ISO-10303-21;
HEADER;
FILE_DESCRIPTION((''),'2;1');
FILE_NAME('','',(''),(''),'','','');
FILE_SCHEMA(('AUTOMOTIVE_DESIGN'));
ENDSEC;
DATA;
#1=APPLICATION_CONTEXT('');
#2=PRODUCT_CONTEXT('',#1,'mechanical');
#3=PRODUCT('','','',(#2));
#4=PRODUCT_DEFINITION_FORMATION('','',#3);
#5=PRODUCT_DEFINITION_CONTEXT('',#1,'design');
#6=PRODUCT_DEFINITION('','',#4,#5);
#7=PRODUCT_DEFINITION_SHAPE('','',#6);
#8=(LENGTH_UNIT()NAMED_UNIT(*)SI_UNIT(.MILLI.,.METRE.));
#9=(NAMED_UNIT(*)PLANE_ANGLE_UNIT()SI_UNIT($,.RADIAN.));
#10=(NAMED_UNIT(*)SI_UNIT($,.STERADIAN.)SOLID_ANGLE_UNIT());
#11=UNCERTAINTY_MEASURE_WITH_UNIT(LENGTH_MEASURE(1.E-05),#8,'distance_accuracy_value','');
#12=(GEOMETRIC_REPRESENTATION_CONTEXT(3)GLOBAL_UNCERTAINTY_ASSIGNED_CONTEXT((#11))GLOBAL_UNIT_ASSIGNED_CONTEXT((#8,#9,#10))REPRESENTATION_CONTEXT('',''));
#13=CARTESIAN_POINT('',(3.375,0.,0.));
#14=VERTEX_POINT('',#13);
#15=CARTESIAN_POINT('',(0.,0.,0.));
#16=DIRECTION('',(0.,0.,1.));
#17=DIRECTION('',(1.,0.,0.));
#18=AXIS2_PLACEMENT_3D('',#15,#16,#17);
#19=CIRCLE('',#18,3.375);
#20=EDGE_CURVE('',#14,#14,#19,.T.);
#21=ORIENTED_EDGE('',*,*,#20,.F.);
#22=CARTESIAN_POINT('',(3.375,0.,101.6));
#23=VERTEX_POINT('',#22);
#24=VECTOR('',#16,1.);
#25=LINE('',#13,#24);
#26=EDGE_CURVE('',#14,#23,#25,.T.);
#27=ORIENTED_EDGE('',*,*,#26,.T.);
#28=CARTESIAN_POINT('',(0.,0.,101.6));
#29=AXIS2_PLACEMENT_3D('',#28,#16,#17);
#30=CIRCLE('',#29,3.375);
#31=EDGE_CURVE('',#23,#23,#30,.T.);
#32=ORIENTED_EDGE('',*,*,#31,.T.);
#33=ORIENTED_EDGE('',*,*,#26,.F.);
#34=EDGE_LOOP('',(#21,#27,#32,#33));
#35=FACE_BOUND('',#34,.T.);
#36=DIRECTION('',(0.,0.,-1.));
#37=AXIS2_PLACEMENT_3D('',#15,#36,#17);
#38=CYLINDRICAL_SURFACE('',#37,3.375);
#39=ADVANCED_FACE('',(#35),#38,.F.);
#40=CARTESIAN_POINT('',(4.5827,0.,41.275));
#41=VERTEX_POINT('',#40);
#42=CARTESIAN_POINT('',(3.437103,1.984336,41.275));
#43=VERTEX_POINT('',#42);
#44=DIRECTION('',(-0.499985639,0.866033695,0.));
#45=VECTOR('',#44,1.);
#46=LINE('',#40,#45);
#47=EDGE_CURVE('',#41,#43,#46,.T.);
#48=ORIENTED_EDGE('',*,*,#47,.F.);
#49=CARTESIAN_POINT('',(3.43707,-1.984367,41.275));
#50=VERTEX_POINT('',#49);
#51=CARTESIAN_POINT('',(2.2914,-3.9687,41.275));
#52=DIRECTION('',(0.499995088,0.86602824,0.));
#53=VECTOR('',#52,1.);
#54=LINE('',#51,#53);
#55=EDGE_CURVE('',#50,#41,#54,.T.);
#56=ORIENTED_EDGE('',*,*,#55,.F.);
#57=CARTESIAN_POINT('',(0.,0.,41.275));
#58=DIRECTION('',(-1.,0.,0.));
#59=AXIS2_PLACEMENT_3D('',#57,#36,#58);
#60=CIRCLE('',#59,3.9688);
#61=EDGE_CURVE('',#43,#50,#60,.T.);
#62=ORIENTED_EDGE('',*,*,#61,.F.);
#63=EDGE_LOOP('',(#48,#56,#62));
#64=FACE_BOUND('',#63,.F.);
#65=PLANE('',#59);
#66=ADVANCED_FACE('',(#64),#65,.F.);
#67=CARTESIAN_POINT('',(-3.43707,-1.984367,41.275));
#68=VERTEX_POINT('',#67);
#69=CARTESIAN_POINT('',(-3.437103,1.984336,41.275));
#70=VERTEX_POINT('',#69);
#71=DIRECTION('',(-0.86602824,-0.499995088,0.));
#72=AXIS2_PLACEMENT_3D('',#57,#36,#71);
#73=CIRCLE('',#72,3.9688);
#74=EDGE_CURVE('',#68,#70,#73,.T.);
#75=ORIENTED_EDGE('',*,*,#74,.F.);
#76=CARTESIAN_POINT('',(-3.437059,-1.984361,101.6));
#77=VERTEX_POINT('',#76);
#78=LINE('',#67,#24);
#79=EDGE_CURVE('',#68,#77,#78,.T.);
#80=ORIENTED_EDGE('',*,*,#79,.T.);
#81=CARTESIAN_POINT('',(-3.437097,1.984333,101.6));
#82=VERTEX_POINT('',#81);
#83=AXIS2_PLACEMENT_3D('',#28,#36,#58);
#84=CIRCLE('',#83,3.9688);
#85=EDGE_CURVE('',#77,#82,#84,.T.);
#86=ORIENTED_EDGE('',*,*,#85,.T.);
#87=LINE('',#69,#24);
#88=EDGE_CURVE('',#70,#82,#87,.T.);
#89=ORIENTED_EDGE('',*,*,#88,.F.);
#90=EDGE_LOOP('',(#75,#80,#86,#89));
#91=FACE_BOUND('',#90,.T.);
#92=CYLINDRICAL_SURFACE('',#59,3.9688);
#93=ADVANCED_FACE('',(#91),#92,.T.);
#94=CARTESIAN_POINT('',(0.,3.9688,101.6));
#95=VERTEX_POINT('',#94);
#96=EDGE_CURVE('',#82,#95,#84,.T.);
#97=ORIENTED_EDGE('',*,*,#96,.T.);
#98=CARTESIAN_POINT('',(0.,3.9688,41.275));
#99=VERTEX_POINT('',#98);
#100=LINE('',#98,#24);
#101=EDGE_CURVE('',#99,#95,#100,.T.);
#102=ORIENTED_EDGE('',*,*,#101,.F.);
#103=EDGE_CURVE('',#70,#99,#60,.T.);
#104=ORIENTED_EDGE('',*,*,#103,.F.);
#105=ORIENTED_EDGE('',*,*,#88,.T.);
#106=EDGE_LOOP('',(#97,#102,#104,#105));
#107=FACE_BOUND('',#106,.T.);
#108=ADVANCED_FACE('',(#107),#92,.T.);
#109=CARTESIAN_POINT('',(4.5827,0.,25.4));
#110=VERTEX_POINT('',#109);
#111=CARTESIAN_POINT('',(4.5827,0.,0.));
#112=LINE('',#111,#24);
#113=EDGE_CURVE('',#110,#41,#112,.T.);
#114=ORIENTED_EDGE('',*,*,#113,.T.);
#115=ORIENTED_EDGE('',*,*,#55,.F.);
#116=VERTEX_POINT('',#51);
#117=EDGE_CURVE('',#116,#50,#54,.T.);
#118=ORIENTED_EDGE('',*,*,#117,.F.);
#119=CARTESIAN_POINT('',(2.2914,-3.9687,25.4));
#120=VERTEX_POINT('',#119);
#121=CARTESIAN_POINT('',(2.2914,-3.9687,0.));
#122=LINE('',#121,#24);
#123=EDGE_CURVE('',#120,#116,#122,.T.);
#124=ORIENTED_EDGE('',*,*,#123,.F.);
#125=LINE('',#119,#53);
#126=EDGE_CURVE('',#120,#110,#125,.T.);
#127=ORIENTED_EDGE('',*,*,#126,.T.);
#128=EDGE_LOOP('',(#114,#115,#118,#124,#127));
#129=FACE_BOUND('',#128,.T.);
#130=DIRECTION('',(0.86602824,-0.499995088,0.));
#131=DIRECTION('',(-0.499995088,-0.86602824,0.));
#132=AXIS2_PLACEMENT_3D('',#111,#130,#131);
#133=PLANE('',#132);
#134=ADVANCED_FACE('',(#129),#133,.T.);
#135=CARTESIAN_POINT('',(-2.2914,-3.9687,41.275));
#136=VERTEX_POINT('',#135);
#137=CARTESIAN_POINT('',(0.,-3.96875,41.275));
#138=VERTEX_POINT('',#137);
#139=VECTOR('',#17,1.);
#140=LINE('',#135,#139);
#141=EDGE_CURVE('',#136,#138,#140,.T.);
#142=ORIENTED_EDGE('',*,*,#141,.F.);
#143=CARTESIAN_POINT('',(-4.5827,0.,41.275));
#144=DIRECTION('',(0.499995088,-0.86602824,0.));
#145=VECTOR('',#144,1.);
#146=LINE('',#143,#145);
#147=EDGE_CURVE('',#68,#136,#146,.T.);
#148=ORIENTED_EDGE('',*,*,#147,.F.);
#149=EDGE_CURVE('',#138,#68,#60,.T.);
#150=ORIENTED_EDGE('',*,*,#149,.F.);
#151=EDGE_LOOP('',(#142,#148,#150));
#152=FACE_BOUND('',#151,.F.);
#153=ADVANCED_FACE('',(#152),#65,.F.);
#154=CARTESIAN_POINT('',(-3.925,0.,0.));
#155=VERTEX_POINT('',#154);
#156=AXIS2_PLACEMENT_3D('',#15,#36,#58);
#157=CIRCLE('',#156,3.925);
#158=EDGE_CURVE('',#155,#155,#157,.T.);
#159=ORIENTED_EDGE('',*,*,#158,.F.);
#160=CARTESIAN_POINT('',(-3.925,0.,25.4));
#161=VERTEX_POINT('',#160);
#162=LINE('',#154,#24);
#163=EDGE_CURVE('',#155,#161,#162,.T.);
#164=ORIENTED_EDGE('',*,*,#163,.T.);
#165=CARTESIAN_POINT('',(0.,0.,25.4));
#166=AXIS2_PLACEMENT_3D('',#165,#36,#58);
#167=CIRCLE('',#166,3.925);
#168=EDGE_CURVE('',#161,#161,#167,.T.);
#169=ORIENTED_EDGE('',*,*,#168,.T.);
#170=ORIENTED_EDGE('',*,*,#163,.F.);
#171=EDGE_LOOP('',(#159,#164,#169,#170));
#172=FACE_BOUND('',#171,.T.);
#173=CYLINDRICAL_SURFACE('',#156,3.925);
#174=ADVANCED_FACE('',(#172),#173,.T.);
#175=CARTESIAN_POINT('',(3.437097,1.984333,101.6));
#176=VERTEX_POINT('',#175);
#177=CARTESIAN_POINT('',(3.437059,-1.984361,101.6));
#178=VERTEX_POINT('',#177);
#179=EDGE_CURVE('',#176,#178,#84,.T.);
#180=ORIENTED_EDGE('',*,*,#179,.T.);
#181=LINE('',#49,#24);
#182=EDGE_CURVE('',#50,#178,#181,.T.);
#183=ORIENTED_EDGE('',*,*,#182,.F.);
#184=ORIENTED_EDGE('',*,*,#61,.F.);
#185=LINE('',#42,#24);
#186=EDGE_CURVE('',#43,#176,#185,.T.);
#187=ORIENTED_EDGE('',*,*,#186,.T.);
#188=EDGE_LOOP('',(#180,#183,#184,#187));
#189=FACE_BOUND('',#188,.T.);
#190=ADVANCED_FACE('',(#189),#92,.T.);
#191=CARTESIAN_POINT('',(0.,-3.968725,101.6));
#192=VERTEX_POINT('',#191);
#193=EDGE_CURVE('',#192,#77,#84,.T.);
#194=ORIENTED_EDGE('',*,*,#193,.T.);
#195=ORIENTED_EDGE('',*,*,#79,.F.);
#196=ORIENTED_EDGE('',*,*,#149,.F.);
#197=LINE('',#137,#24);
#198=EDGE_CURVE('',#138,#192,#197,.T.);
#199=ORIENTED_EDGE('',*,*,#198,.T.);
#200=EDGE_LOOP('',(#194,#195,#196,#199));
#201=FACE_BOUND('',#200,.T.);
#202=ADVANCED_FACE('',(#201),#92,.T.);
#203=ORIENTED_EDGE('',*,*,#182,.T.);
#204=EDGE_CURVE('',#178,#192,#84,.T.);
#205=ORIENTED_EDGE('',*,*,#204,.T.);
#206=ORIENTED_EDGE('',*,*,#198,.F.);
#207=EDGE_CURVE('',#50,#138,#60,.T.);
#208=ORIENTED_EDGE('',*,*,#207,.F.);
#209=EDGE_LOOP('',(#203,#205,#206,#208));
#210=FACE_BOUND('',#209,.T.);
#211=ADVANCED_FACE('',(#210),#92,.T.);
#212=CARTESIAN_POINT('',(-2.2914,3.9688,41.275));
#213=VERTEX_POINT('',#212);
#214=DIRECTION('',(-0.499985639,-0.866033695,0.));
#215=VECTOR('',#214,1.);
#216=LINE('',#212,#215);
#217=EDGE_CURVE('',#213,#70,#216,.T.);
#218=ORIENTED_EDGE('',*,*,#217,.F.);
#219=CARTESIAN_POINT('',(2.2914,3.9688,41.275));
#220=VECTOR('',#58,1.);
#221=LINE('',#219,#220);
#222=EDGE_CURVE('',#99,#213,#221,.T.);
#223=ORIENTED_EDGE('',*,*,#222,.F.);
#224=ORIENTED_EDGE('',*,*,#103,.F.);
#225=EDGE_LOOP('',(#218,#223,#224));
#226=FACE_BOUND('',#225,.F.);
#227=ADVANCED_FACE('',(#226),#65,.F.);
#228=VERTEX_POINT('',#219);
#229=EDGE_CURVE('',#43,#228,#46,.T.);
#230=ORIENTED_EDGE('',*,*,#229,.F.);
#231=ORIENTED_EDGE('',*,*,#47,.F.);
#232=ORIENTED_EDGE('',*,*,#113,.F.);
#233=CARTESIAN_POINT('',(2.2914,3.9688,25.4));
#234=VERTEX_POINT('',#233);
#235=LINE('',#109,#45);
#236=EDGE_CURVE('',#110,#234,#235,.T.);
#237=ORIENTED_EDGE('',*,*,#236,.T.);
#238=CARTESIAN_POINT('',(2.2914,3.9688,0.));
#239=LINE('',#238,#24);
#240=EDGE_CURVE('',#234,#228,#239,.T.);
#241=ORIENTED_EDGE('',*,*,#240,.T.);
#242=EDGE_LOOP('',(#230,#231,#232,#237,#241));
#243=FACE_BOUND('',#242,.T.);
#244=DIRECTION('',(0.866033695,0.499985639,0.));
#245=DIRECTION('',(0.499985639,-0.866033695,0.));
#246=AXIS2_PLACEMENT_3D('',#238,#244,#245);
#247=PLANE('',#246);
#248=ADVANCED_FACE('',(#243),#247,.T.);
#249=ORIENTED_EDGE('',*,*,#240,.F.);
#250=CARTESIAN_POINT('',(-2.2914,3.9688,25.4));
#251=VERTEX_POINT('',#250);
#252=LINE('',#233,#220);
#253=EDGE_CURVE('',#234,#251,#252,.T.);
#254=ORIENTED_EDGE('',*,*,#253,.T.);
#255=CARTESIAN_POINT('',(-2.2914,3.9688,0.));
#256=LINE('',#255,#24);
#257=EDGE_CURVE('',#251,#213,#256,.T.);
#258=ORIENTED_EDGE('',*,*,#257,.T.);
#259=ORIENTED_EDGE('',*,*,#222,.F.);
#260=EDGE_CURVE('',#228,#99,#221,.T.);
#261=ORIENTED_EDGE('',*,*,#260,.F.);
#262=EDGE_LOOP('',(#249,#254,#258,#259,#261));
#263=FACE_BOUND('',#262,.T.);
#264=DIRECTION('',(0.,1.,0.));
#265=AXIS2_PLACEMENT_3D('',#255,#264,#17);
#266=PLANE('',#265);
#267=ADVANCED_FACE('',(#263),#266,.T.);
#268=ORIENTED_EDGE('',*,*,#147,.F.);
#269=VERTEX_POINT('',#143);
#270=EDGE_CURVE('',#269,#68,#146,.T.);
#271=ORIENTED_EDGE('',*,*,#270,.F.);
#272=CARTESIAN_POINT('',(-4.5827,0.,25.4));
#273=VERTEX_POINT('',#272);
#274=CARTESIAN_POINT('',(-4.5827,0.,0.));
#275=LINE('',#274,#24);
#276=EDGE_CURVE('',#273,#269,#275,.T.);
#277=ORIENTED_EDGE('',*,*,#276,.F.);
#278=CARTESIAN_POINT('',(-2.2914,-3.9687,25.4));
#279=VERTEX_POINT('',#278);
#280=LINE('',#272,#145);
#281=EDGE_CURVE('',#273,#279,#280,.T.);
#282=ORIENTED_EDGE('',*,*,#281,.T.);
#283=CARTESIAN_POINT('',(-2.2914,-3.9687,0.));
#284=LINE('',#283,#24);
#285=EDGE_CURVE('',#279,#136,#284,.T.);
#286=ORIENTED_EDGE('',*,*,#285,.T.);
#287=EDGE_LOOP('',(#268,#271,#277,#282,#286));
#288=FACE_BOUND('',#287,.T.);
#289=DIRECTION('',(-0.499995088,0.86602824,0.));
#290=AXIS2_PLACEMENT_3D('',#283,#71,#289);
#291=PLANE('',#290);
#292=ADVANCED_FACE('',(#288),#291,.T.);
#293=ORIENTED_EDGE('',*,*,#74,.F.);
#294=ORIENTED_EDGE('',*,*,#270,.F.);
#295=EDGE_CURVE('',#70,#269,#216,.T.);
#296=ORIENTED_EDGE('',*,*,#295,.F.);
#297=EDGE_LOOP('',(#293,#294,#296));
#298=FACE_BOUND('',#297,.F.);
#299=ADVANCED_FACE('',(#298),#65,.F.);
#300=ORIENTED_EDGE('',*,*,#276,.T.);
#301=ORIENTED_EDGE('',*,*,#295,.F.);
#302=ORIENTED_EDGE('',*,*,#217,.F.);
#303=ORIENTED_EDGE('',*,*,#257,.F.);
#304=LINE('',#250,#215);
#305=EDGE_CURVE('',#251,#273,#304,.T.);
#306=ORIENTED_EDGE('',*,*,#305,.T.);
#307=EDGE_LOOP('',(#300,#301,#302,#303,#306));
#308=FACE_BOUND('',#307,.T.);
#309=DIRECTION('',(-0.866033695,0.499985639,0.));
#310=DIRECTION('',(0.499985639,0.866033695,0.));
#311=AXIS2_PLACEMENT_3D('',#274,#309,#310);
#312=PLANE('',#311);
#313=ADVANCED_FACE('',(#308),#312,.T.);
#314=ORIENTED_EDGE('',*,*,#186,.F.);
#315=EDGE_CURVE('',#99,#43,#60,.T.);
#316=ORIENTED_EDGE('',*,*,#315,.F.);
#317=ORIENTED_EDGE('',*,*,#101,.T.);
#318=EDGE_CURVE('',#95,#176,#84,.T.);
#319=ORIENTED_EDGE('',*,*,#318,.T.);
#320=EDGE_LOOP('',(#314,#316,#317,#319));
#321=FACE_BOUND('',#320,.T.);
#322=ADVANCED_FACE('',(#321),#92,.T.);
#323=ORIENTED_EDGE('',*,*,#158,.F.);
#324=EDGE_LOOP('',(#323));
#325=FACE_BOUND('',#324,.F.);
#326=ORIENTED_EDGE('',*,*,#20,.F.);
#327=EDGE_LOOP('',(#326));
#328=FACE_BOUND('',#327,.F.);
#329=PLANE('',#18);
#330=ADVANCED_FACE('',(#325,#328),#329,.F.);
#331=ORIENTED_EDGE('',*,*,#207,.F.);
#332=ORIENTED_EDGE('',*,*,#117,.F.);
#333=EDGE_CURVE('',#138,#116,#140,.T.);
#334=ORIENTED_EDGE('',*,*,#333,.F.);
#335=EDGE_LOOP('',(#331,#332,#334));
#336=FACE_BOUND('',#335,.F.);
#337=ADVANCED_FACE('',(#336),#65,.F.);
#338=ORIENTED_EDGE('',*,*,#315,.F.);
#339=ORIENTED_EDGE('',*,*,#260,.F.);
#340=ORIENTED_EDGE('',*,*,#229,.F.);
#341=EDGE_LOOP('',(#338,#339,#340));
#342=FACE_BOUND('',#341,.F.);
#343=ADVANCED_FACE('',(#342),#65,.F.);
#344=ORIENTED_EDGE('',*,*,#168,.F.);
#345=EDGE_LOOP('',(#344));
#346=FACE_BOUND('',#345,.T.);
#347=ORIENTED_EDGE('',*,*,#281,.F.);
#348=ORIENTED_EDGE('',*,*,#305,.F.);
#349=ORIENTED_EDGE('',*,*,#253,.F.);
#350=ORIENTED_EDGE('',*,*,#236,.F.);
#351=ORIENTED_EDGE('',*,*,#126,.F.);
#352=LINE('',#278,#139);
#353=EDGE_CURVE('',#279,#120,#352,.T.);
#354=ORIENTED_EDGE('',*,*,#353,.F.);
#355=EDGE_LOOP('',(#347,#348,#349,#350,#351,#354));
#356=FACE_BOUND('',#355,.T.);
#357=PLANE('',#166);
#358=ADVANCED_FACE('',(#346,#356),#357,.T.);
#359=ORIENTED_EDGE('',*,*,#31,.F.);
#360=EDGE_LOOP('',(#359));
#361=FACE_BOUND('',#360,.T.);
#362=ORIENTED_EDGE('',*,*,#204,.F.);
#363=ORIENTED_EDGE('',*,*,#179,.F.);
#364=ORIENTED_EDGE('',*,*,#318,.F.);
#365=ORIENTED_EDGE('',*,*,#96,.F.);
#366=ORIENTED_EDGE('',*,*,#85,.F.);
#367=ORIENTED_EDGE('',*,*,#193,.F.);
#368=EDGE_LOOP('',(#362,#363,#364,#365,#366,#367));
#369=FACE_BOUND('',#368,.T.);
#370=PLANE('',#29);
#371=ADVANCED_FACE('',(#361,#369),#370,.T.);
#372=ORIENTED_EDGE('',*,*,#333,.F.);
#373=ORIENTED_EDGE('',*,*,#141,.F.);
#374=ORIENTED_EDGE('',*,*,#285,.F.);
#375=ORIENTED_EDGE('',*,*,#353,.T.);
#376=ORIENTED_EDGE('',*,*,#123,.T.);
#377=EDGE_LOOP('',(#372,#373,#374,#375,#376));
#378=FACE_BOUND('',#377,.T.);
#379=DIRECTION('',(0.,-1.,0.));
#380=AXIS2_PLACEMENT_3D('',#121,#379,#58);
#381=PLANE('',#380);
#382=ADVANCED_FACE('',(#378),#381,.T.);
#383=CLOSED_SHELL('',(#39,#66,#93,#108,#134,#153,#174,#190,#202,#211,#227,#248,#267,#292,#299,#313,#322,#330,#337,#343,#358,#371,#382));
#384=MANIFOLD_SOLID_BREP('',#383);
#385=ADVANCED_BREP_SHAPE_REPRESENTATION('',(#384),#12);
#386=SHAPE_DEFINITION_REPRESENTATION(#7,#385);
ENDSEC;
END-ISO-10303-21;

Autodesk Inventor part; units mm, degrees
ref_plane "YZ Plane" through (0, 0, 0) normal (1, 0, 0) x (0, 1, 0)
ref_plane "XZ Plane" through (0, 0, 0) normal (0, 1, 0) x (-1, 0, 0)
sketch "Sketch1" plane through (0, 0, 0) normal (0, 0, 1) x (1, 0, 0)
  line L0 (2.2914, 3.9688) -> (4.5827, 0)
  line L1 (4.5827, 0) -> (2.2914, -3.9687)
  line L2 (2.2914, -3.9687) -> (-2.2914, -3.9687)
  line L3 (-2.2914, -3.9687) -> (-4.5827, 0)
  line L4 (-4.5827, 0) -> (-2.2914, 3.9688)
  line L5 (-2.2914, 3.9688) -> (2.2914, 3.9688)
  circle A0 centre (0, 0) radius 3.375
  dimension "d0" = 7.9375
  dimension "d1" = 6.75
extrude "Extrusion1" add sketch "Sketch1" along normal blind 101.6
sketch "Sketch2" plane through (0, 0, 0) normal (0, 0, -1) x (-1, 0, 0)
  circle A0 centre (0, 0) radius 3.925
  line L0 (2.2914, 3.9688) -> (4.5827, 0) projected
  line L1 (-2.2914, 3.9688) -> (2.2914, 3.9688) projected
  line L2 (-4.5827, 0) -> (-2.2914, 3.9688) projected
  line L3 (-2.2914, -3.9687) -> (-4.5827, 0) projected
  line L4 (2.2914, -3.9687) -> (-2.2914, -3.9687) projected
  line L5 (4.5827, 0) -> (2.2914, -3.9687) projected
  circle A1 centre (0, 0) radius 3.375 projected
  dimension "d4" = 7.85
extrude "Extrusion2" cut sketch "Sketch2" against normal blind 25.4 contours L0 L5 L4 L3 L2 L1
ref_plane "Work Plane1" through (0, 0, 41.275) normal (0, 0, -1) x (-1, 0, 0)
sketch "Sketch3" plane through (0, 0, 41.275) normal (0, 0, -1) x (-1, 0, 0)
  line L0 (-4.5827, 0) -> (-2.2914, 3.9688) projected
  line L1 (-2.2914, -3.9687) -> (-4.5827, 0) projected
  line L2 (2.2914, -3.9687) -> (-2.2914, -3.9687) projected
  line L3 (4.5827, 0) -> (2.2914, -3.9687) projected
  line L4 (2.2914, 3.9688) -> (4.5827, 0) projected
  line L5 (-2.2914, 3.9688) -> (2.2914, 3.9688) projected
  circle A0 centre (0, 0) radius 3.925 projected
  circle A1 centre (0, 0) radius 3.9688
  point P0 (-3.437, -1.9844)
  point P1 (-3.437, 1.9844)
  point P2 (0, 3.9688)
  point P3 (3.437, 1.9844)
  point P4 (3.437, -1.9844)
  point P5 (0, -3.9688)
extrude "Extrusion3" cut sketch "Sketch3" against normal through all contours L0 A1 L1 | L0 L5 A1 | A1 L2 L1 | L5 L4 A1 | A1 L3 L2 | L4 L3 A1
properties part number "Shaft" material "Stainless Steel"
